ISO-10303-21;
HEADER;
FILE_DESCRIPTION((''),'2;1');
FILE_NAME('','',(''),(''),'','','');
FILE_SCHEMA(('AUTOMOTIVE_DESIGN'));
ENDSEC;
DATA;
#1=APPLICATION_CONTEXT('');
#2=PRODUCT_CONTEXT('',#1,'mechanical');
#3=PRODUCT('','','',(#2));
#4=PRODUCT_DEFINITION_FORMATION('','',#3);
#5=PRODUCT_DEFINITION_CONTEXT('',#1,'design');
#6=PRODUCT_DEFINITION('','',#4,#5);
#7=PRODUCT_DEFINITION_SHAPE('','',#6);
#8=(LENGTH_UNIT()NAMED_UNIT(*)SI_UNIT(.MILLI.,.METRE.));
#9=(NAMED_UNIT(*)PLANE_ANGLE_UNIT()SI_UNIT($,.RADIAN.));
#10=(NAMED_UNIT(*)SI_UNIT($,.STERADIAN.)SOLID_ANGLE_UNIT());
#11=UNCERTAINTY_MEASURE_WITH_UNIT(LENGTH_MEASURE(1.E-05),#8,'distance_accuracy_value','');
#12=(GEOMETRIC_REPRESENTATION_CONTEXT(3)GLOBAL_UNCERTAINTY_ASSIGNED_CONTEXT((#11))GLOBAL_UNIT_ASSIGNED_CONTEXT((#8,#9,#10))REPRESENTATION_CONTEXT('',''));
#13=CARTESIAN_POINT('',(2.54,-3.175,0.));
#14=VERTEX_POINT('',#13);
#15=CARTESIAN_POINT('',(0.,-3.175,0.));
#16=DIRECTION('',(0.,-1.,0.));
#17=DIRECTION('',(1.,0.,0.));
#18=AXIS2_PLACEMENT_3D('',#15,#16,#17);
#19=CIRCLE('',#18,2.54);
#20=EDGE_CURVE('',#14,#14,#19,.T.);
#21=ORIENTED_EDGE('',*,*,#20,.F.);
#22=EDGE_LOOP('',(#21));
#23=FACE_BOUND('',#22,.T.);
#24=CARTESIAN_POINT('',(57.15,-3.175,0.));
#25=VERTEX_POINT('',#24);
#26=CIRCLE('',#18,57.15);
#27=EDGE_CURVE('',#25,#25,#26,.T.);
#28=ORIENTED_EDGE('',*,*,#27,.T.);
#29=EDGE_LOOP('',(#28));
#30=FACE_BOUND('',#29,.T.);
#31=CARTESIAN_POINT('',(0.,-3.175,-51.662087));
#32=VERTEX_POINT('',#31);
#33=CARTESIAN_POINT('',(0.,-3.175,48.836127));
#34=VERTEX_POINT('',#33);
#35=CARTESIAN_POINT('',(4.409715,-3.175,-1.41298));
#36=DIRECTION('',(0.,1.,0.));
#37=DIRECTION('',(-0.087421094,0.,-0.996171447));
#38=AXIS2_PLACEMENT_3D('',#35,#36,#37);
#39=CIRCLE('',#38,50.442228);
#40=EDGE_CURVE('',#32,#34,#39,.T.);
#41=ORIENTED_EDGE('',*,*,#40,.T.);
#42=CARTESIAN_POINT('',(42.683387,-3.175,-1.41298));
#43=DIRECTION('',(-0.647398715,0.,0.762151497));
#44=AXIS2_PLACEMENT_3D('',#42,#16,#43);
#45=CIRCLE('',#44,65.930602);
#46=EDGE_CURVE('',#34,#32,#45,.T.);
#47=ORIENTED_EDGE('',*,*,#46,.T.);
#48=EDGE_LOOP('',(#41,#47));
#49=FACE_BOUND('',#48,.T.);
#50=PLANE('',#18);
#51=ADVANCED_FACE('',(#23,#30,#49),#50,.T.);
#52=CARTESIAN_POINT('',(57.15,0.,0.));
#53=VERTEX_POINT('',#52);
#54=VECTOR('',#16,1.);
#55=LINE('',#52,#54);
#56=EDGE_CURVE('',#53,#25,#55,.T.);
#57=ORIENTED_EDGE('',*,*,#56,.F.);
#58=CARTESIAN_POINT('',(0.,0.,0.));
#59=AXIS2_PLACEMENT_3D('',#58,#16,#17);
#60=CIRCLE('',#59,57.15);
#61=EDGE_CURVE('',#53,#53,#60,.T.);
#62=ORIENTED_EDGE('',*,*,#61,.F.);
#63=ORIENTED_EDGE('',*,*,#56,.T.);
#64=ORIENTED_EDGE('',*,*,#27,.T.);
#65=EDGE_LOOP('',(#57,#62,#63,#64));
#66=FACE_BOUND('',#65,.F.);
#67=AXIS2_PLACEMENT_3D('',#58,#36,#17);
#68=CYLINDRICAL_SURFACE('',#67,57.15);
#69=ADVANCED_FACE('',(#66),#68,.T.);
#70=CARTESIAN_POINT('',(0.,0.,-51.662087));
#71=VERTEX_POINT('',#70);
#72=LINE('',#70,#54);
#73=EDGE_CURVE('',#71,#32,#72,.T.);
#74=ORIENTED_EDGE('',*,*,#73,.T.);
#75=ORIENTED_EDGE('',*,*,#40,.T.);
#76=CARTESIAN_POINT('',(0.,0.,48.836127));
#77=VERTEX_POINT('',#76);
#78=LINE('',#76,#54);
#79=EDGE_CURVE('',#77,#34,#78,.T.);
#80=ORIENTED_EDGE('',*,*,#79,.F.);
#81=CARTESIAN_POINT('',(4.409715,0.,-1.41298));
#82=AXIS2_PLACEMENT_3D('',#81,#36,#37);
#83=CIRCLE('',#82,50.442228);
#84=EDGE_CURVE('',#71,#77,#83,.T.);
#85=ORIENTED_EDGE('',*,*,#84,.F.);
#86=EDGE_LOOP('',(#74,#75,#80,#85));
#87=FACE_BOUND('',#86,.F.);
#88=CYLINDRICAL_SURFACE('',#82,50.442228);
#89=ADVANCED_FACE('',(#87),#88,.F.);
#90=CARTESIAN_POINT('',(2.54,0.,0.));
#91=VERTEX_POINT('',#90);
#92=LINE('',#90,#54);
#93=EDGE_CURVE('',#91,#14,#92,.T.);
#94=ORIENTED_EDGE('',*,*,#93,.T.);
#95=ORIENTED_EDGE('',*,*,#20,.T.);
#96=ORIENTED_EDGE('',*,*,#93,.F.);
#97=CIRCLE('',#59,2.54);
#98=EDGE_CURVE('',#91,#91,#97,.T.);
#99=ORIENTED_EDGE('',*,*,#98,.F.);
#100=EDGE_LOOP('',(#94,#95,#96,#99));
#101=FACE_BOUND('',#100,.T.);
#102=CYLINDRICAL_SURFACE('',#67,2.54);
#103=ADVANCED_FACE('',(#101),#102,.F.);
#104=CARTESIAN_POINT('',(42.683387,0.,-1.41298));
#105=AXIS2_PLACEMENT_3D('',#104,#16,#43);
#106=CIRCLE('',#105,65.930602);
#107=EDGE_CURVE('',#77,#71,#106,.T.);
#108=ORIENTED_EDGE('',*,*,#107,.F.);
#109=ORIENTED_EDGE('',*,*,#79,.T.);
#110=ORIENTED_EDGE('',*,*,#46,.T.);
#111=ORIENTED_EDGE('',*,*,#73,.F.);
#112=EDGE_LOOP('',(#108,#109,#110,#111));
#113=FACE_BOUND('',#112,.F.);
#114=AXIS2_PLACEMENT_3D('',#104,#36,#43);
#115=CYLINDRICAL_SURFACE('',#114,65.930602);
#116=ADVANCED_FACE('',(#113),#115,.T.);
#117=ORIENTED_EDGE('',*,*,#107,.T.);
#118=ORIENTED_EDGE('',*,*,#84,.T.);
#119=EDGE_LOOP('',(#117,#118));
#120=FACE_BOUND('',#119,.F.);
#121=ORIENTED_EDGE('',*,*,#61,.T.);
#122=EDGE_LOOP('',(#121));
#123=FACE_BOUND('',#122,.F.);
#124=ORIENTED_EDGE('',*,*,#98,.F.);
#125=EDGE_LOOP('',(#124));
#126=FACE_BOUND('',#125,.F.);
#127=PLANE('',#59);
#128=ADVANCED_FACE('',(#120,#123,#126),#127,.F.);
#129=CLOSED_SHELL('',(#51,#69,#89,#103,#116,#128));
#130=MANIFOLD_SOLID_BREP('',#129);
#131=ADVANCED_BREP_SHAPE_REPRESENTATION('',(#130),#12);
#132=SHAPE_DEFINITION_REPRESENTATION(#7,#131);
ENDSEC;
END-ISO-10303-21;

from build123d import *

# Parameters (mm, degrees)
F0_R     = 57.15
F0_R_2   = 2.54
F1_DEPTH = 3.175


with BuildPart() as f1:
    # F0 (on Front) → F1 (new body)
    with BuildSketch(Plane.XZ):
        Circle(F0_R)
        with BuildLine():
            ThreePointArc((0, -51.662087), (-46.032513, -1.41298), (0, 48.836127))
            ThreePointArc((0, 48.836127), (-23.247215, -1.41298), (0, -51.662087))
        make_face(mode=Mode.SUBTRACT)
        Circle(F0_R_2, mode=Mode.SUBTRACT)
    extrude(amount=F1_DEPTH)


solid = f1.part
